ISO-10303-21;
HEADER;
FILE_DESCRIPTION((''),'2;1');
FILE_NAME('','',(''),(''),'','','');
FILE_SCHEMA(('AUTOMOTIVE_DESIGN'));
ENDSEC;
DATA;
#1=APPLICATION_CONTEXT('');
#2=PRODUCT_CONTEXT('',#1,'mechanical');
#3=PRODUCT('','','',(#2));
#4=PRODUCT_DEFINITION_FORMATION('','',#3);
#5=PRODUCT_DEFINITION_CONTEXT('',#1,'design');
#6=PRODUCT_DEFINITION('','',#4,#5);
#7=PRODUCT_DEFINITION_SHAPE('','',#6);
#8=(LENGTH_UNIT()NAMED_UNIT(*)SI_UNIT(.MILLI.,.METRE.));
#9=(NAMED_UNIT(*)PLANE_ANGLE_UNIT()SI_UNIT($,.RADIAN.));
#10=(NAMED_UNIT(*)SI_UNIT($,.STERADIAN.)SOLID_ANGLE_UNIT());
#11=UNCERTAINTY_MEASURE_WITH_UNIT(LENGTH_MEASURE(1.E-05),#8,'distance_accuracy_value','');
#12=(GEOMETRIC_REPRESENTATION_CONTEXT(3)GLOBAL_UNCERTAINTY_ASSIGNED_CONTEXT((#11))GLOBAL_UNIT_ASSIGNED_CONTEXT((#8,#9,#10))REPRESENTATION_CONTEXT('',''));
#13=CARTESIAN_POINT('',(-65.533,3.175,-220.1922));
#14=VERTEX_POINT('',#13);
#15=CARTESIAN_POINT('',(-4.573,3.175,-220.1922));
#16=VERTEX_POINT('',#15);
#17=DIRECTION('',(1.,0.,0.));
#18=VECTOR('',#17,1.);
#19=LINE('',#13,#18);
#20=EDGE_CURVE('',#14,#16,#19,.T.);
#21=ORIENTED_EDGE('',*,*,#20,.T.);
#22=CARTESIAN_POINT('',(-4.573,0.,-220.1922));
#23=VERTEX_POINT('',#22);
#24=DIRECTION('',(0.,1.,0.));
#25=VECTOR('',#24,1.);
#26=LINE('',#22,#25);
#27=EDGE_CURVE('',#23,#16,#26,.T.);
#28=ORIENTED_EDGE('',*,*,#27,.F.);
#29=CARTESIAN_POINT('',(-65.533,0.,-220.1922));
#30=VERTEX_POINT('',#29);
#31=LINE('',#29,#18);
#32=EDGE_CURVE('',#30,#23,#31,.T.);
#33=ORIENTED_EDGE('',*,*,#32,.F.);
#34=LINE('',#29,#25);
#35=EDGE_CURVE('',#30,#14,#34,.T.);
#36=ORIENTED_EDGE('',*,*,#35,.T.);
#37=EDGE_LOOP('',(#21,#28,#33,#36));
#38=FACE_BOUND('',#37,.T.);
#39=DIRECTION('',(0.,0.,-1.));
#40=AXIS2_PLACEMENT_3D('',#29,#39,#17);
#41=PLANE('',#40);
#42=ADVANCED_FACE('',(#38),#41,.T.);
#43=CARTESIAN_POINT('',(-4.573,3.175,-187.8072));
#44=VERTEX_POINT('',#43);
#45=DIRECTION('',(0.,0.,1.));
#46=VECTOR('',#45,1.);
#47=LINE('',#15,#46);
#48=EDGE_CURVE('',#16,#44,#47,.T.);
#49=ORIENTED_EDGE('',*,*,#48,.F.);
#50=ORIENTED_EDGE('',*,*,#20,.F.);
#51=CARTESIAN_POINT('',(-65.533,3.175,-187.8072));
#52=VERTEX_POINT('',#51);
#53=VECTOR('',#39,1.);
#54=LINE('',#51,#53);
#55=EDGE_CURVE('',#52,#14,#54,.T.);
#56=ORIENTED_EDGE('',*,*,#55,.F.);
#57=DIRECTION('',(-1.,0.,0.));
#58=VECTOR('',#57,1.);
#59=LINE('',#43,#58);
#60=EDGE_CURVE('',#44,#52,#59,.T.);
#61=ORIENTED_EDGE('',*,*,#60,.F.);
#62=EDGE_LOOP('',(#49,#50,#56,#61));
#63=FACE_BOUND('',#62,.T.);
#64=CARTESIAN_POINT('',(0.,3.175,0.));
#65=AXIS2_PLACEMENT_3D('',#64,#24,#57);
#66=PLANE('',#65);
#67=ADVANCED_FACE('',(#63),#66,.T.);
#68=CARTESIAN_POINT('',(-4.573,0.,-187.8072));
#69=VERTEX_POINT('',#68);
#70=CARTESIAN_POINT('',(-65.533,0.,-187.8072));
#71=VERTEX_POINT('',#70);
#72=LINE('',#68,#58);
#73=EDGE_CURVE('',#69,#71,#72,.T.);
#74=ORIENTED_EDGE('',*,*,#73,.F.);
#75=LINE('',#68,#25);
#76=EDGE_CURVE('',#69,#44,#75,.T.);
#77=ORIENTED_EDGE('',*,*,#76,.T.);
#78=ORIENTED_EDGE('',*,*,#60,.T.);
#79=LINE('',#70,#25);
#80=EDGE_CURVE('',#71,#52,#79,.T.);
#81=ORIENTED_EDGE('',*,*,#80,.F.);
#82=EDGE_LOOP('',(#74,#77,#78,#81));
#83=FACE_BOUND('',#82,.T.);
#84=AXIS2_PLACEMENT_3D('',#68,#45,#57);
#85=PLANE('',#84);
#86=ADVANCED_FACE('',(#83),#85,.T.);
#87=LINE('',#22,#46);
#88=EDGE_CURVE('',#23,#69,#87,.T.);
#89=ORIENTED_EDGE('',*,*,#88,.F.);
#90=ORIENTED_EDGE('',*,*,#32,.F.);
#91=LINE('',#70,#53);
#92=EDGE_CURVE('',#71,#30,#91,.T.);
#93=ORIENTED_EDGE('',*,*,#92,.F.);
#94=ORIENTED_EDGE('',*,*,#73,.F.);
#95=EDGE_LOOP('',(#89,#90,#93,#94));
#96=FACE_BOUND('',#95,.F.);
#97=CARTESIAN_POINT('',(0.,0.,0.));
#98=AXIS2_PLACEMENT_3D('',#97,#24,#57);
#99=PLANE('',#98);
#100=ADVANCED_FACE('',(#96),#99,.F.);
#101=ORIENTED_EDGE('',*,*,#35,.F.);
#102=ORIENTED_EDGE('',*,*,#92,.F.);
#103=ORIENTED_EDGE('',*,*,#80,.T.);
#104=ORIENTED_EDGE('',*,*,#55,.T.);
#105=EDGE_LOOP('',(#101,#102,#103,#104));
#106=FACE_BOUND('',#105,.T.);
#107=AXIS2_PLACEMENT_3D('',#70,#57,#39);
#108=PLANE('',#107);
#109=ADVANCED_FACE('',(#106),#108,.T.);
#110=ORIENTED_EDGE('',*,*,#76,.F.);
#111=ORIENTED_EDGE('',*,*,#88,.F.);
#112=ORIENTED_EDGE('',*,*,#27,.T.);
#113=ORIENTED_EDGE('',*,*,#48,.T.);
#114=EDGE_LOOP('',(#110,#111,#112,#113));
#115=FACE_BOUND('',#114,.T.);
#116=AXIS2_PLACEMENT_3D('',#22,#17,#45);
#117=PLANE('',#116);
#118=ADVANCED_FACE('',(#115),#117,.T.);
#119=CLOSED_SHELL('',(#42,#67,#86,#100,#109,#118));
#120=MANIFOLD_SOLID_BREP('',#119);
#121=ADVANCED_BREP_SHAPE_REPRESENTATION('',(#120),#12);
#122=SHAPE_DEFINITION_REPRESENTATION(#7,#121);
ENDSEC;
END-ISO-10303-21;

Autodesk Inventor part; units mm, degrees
ref_plane "YZ Plane" through (0, 0, 0) normal (1, 0, 0) x (0, 1, 0)
ref_plane "XZ Plane" through (0, 0, 0) normal (0, 1, 0) x (-1, 0, 0)
ref_plane "XY Plane" through (0, 0, 0) normal (0, 0, 1) x (1, 0, 0)
sketch "Sketch1" plane through (0, 0, 0) normal (0, 1, 0) x (-1, 0, 0)
  line L0 (4.573, -187.8072) -> (65.533, -187.8072)
  line L1 (65.533, -187.8072) -> (65.533, -220.1922)
  line L2 (65.533, -220.1922) -> (4.573, -220.1922)
  line L3 (4.573, -220.1922) -> (4.573, -187.8072)
  point P0 (0, 0)
  dimension "d0" = 60.96
  dimension "d1" = 32.385
extrude "Extrusion1" add sketch "Sketch1" along normal blind 3.175
properties part number "Battery Cover2.0"
